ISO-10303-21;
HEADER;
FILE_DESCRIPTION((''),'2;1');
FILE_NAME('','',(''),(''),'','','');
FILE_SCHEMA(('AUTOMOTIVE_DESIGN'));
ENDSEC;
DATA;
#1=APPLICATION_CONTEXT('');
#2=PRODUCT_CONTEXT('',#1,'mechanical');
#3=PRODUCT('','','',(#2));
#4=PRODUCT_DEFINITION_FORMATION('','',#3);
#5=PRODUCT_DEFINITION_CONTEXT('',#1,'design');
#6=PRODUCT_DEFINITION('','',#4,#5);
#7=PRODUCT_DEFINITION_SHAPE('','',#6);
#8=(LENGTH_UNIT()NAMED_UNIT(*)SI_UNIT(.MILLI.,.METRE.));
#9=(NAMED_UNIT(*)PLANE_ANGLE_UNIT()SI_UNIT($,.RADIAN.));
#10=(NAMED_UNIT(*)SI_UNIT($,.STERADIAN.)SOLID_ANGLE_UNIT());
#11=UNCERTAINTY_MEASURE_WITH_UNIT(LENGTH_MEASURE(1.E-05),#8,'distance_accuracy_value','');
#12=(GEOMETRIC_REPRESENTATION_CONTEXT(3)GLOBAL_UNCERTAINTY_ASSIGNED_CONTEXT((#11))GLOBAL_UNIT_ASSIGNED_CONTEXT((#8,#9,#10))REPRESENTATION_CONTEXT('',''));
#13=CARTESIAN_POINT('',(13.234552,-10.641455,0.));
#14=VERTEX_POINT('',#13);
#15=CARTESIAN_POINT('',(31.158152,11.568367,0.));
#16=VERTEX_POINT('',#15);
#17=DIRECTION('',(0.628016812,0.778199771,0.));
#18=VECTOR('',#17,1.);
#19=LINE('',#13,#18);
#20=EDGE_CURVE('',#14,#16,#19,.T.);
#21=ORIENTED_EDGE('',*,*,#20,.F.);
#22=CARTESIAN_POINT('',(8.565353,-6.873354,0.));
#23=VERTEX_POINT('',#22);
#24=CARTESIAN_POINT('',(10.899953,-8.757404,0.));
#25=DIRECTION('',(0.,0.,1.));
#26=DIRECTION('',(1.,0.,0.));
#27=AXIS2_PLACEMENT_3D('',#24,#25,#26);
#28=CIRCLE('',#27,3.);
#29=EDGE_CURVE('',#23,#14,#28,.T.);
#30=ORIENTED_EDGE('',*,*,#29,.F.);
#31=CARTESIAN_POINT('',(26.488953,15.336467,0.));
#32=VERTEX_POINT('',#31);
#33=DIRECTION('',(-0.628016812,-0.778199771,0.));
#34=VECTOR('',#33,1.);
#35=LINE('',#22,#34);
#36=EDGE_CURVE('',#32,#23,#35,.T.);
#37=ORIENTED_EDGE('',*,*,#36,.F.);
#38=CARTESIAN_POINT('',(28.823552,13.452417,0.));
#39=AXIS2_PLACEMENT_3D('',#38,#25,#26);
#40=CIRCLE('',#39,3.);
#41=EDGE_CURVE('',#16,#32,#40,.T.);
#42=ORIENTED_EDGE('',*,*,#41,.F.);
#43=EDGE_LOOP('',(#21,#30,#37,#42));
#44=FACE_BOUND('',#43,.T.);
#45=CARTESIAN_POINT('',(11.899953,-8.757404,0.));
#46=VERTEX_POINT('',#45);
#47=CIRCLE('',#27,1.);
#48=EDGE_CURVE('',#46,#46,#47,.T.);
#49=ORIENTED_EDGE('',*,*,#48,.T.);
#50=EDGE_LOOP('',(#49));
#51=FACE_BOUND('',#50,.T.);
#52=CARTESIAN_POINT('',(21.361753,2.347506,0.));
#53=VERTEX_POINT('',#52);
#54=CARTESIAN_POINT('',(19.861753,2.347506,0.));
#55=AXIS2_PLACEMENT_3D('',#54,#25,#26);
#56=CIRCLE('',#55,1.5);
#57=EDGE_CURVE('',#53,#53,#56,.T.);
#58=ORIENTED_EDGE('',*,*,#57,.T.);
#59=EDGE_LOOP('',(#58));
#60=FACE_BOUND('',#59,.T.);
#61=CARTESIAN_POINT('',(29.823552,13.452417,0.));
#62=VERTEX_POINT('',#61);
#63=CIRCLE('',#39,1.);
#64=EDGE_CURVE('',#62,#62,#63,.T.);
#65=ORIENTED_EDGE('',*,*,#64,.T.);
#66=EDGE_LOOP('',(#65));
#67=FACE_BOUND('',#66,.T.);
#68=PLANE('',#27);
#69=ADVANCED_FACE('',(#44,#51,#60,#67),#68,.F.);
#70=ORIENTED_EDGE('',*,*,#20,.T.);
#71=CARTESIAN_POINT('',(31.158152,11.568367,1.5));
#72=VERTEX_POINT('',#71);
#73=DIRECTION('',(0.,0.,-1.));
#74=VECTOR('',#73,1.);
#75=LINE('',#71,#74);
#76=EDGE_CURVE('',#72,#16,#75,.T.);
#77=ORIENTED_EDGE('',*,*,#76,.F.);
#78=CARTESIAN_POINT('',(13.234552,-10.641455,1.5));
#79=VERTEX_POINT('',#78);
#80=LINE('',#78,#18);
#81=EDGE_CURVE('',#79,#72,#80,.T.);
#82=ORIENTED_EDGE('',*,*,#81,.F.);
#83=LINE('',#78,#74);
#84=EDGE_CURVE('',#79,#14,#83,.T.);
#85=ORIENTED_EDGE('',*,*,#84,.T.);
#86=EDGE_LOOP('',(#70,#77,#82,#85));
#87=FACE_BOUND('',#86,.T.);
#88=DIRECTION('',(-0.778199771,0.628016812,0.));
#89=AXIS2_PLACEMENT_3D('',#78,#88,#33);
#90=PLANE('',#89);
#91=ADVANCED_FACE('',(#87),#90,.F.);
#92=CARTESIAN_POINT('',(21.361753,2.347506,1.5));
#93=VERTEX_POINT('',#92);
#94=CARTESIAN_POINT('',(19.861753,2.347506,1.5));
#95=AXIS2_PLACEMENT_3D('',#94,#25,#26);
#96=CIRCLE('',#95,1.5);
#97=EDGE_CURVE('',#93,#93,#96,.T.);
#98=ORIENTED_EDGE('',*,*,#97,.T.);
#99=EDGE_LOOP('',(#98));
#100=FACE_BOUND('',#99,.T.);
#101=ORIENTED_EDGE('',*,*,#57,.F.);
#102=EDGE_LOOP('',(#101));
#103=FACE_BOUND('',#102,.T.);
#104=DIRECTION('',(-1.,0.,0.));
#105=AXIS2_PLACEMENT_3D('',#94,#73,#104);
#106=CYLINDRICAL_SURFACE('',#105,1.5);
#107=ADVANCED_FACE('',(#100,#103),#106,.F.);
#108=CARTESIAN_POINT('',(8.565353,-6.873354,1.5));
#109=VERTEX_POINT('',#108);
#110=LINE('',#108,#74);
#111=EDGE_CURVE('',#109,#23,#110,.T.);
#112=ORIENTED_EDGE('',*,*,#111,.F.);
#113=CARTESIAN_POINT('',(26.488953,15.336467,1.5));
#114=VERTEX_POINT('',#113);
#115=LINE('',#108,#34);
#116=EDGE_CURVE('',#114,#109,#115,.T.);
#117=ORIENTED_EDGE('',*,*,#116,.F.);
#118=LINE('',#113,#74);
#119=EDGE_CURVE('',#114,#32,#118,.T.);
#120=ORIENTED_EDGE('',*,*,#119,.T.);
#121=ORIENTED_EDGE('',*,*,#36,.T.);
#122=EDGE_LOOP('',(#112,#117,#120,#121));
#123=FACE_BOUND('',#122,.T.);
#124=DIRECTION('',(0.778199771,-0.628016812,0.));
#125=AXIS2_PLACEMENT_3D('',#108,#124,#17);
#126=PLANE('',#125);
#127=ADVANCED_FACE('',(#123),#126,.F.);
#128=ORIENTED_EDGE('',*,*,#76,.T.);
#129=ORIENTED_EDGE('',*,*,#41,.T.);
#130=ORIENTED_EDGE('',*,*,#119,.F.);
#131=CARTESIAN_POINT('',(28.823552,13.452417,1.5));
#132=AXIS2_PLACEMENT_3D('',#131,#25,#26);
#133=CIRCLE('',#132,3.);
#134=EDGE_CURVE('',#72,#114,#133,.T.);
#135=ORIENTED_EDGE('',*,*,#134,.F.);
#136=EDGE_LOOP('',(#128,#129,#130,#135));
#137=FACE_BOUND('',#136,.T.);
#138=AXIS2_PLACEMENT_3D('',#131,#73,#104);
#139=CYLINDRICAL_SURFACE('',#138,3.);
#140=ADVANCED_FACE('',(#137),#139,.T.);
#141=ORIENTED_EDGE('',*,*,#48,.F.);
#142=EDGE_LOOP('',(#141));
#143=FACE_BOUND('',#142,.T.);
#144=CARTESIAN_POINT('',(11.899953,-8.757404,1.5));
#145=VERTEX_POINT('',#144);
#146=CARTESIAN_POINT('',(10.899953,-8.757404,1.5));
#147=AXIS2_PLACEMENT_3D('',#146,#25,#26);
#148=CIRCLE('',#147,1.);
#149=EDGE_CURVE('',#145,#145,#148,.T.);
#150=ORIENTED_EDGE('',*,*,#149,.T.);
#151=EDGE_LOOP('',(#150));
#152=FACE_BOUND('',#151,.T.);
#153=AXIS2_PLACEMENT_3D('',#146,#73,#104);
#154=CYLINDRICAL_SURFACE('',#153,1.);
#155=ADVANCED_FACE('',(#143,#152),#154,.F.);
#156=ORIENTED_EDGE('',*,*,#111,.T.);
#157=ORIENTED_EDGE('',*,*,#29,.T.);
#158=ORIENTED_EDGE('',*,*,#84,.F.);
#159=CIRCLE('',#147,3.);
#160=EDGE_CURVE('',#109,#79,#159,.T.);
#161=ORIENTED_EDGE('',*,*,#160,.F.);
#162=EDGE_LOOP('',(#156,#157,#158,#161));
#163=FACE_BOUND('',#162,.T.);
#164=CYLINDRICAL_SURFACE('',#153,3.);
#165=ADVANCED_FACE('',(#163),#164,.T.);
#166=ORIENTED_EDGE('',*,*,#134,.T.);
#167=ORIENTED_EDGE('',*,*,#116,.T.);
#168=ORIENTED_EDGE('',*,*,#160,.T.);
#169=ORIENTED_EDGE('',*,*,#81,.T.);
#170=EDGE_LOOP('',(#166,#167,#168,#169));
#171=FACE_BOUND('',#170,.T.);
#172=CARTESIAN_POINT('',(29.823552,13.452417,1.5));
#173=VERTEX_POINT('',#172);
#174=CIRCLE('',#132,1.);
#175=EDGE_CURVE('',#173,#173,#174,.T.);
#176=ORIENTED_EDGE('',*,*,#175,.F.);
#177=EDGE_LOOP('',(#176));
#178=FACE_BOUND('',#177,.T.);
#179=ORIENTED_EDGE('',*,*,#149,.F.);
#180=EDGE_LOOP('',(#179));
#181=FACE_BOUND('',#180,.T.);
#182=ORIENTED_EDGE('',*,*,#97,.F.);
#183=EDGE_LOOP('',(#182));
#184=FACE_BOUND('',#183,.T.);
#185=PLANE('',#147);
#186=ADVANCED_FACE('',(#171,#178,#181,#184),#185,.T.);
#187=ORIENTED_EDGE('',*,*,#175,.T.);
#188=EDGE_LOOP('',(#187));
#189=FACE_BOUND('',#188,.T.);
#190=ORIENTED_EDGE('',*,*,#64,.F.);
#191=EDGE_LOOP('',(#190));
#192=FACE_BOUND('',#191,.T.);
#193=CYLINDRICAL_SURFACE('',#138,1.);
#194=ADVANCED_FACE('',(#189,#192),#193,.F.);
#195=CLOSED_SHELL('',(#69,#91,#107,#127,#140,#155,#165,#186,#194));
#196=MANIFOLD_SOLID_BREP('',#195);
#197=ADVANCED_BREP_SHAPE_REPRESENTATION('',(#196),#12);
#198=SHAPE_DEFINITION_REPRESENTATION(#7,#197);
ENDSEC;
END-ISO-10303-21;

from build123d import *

# Parameters (mm, degrees)
SKETCH_1_R      = 1
SKETCH_1_R_2    = 1.5
EXTRUDE_1_DEPTH = 1.5


with BuildPart() as part:
    # 草图1 → 凸台-拉伸1 (new body)
    with BuildSketch(Plane.XY):
        with BuildLine():
            Line((8.565353329, -6.873354049), (26.488953147, 15.336467418))
            ThreePointArc((26.488953147, 15.336467418), (30.707602897, 15.787016295), (31.158151773, 11.568366545))
            Line((31.158151773, 11.568366545), (13.234551956, -10.641454921))
            ThreePointArc((13.234551956, -10.641454921), (9.015902206, -11.092003798), (8.565353329, -6.873354049))
        make_face()
        with Locations((28.82355246, 13.452416982)):
            Circle(SKETCH_1_R, mode=Mode.SUBTRACT)
        with Locations((10.899952643, -8.757404485)):
            Circle(SKETCH_1_R, mode=Mode.SUBTRACT)
        with Locations((19.861752551, 2.347506248)):
            Circle(SKETCH_1_R_2, mode=Mode.SUBTRACT)
    extrude(amount=EXTRUDE_1_DEPTH)


solid = part.part
